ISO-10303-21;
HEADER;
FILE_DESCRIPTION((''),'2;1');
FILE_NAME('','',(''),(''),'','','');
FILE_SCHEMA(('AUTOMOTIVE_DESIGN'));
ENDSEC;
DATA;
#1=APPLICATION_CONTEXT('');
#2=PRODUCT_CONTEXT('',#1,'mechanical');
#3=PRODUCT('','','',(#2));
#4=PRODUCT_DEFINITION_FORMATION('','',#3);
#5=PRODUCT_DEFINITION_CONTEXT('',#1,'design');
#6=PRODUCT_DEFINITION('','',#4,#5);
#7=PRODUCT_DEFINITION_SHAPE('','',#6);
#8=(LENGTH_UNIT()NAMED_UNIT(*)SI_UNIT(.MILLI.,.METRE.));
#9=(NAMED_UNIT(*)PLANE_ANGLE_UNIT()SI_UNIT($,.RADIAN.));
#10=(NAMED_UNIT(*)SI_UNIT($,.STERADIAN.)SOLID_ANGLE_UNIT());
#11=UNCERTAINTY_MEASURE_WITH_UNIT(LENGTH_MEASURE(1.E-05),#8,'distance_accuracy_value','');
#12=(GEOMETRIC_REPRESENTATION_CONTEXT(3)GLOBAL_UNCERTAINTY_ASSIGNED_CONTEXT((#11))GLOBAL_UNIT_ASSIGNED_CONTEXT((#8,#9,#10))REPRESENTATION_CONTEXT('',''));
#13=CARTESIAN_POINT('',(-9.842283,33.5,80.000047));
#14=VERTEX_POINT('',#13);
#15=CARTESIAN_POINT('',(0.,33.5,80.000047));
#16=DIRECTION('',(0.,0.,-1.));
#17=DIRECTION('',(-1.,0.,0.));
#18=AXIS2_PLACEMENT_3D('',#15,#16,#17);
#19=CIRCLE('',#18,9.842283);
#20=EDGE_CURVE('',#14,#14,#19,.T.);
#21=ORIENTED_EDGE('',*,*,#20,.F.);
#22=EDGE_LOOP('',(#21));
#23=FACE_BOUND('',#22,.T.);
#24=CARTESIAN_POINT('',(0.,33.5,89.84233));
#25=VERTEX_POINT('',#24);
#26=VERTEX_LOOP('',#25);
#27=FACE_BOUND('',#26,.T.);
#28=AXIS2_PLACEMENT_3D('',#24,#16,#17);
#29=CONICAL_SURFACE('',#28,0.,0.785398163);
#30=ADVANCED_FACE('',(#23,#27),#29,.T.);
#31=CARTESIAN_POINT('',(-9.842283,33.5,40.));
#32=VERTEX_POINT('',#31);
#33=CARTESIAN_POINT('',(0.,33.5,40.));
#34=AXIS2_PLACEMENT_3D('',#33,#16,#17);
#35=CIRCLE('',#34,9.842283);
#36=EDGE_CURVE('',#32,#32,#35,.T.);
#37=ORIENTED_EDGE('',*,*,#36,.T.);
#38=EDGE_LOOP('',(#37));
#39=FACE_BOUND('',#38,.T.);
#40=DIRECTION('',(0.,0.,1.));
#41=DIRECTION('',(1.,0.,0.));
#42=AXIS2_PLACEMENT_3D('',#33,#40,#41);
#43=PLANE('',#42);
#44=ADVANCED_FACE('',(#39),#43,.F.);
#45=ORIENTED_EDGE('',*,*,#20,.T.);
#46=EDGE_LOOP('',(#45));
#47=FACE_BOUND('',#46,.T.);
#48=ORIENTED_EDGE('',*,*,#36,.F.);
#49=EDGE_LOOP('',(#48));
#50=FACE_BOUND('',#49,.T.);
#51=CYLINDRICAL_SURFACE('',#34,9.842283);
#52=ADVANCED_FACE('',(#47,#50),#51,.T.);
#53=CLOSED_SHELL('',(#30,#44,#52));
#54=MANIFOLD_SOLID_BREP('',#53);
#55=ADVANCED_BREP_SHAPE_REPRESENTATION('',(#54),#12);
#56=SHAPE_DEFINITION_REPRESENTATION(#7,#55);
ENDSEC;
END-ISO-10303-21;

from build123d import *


with BuildPart() as part:
    # Sketch4 → Revolve1 (revolve)
    with BuildSketch(Plane(origin=(0, 33.5, 0), x_dir=(1, 0, 0), z_dir=(0, 1, 0)), mode=Mode.PRIVATE) as revolve1_sk:
        Polygon((0, -40), (9.842282851, -40), (9.842282851, -80.000046969), (0, -89.84232982), (0, -80.000046969), align=None)
    revolve(revolve1_sk.sketch.rotate(Axis((0, 33.5, 40), (0, 0, 1)), 180), axis=Axis((0, 33.5, 40), (0, 0, 1)))


solid = part.part
